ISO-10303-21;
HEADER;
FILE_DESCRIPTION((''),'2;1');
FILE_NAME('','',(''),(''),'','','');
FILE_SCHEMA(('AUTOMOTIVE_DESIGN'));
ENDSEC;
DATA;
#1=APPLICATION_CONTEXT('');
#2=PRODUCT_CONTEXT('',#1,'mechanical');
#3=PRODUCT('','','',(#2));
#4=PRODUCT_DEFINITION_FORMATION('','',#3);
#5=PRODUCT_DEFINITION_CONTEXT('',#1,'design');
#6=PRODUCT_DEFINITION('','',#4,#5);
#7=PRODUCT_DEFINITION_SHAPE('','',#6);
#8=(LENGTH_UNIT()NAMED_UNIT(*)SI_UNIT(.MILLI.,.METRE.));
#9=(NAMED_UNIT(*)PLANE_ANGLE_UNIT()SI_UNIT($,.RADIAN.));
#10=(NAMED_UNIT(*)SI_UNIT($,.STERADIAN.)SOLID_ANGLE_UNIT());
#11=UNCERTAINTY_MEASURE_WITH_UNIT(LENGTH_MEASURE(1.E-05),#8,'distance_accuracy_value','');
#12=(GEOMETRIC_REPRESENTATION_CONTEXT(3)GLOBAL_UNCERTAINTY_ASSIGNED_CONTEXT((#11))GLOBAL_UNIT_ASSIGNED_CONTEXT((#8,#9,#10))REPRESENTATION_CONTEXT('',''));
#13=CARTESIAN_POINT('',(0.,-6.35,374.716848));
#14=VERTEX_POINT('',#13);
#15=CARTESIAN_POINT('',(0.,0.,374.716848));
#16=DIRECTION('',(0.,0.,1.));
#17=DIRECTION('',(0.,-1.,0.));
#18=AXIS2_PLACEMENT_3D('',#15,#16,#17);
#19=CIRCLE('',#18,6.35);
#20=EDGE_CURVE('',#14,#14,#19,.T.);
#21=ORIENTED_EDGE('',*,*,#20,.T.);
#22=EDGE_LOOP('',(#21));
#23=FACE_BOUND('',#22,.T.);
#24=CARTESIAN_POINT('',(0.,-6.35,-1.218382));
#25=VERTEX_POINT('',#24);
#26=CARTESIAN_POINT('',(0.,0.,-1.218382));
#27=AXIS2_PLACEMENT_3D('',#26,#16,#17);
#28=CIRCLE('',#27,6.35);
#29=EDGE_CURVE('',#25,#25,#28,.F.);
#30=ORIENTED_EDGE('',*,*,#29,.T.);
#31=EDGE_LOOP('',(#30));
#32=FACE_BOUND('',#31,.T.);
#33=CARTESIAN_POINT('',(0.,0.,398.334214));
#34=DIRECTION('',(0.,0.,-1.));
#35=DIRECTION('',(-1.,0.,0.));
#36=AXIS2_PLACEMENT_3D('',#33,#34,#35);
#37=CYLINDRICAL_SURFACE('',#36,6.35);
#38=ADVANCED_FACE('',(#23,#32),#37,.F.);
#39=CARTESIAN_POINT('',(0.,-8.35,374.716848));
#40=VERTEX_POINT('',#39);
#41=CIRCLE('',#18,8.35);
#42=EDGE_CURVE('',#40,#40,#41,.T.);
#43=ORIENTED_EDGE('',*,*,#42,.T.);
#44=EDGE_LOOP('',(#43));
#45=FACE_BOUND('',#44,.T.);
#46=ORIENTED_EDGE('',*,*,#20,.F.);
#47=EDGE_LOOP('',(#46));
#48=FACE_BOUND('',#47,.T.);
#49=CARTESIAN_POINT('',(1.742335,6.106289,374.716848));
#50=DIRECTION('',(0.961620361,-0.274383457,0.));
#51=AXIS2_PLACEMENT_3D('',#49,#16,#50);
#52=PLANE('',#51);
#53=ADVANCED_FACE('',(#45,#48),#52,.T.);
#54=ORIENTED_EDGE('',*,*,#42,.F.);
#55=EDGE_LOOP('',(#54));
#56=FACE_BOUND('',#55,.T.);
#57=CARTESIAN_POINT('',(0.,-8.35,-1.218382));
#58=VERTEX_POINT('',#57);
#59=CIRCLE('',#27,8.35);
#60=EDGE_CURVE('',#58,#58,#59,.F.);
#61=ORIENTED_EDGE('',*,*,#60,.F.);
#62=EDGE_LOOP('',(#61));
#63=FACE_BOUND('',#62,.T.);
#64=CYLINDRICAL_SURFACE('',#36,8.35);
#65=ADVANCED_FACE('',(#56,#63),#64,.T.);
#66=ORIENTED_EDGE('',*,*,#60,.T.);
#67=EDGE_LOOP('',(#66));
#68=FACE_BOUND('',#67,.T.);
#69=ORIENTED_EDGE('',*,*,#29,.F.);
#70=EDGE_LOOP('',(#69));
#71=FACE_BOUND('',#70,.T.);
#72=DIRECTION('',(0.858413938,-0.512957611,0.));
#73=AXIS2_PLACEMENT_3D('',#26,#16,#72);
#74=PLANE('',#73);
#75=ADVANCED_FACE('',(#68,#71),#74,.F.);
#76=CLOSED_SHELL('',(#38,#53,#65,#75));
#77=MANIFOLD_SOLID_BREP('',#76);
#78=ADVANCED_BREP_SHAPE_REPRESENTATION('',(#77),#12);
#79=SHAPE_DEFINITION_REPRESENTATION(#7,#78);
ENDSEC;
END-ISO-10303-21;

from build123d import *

# Parameters (mm, degrees)
SZKIC1_R                         = 8.35
SZKIC1_R_2                       = 6.35
DODANIE_WYCI_GNI_CIE1_DEPTH      = 374.716848
DODANIE_WYCI_GNI_CIE1_DEPTH_BACK = 1.218382


with BuildPart() as part:
    # Szkic1 → Dodanie-wyciągnięcie1 (new body, two sides)
    with BuildSketch(Plane.XY) as dodanie_wyci_gni_cie1_sk:
        Circle(SZKIC1_R)
        Circle(SZKIC1_R_2, mode=Mode.SUBTRACT)
    extrude(amount=DODANIE_WYCI_GNI_CIE1_DEPTH)
    extrude(dodanie_wyci_gni_cie1_sk.sketch, amount=-DODANIE_WYCI_GNI_CIE1_DEPTH_BACK)


solid = part.part
